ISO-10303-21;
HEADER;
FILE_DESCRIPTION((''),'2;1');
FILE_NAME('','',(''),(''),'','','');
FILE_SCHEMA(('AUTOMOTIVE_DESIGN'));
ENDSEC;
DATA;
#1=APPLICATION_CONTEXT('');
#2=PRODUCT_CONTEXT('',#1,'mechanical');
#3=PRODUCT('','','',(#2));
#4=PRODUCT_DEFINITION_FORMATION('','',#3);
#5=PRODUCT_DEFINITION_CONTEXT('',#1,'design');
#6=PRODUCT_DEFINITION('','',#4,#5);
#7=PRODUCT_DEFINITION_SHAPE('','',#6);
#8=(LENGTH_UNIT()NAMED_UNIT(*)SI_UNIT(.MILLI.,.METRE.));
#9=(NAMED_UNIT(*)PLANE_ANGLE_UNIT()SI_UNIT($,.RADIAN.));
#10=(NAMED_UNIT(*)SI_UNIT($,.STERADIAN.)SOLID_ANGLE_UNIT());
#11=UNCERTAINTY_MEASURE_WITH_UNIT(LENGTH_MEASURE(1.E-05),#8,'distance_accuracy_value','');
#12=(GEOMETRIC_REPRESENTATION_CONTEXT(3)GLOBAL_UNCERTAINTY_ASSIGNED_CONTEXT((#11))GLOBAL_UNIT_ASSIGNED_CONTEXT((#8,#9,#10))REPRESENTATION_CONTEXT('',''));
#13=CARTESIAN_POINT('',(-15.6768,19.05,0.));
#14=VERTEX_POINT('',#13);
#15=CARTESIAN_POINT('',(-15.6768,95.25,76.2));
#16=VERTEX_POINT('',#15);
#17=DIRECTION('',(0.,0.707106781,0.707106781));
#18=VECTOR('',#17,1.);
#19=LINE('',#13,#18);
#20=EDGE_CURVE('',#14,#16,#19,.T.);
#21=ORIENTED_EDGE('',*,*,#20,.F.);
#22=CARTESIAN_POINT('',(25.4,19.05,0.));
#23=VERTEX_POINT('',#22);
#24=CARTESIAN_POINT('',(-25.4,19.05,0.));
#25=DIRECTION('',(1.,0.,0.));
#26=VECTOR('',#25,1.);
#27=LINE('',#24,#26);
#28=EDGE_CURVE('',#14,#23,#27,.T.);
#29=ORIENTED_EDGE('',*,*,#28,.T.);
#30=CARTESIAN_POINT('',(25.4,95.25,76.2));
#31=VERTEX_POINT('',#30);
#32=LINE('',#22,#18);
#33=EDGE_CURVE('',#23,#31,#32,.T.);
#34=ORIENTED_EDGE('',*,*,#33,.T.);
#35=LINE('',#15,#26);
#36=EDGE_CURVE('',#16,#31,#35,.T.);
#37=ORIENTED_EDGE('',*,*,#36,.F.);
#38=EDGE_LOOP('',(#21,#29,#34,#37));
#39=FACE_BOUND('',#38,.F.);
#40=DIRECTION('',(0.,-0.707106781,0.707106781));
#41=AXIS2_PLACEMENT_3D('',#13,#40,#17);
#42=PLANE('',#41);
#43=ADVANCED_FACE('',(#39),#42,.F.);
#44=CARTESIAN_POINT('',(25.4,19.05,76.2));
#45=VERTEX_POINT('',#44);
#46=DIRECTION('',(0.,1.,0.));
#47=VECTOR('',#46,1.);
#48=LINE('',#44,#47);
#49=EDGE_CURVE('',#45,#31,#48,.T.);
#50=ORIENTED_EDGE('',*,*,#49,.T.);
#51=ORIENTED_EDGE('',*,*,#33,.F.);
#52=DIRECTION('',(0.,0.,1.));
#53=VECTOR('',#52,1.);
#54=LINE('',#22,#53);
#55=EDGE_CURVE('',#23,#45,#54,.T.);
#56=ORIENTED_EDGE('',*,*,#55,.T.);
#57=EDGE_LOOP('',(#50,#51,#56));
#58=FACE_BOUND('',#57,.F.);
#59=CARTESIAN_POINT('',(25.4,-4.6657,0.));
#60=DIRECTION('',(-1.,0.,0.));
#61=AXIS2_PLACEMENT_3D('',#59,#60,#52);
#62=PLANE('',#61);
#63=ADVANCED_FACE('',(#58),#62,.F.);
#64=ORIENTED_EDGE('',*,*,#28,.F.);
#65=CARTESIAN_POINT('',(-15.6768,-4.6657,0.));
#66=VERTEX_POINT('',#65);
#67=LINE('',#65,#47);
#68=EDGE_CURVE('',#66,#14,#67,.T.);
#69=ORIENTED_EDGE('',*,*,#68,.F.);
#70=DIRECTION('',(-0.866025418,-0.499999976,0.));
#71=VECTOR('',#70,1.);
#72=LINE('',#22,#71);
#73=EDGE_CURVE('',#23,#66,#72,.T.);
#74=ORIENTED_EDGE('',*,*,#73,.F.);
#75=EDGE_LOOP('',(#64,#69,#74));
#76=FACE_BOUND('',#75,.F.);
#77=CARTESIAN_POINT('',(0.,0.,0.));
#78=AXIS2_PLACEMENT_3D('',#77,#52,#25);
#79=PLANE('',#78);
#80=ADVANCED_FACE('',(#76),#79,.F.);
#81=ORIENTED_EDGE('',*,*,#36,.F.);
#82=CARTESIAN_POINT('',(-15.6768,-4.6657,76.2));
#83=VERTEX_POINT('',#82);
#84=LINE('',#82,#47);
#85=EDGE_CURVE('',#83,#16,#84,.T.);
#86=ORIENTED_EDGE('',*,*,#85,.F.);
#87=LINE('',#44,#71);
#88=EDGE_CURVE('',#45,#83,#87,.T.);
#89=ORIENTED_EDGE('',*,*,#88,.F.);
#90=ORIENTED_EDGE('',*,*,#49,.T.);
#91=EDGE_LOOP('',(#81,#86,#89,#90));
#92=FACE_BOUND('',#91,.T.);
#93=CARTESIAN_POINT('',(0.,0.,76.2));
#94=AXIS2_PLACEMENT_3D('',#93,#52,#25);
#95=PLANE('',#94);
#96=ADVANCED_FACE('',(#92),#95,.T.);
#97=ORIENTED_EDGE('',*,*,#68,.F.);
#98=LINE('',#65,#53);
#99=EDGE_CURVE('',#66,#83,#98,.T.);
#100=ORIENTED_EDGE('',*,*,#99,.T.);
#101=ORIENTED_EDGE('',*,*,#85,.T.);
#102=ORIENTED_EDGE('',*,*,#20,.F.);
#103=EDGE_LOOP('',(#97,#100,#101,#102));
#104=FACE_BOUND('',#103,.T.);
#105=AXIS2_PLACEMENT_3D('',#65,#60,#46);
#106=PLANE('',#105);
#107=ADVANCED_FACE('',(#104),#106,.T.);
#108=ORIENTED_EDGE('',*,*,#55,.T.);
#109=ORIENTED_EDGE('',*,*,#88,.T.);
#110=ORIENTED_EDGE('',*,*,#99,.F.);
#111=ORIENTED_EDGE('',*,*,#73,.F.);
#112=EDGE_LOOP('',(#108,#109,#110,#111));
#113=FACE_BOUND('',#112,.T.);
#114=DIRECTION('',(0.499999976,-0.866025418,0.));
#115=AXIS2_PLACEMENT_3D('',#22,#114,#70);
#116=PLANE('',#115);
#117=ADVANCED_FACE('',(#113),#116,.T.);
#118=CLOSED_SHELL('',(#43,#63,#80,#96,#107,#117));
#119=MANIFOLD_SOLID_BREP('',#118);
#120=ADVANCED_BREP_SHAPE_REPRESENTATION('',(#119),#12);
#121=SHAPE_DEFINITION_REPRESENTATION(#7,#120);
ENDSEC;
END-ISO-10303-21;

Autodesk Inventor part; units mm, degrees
ref_plane "YZ Plane" through (0, 0, 0) normal (1, 0, 0) x (0, 1, 0)
ref_plane "XZ Plane" through (0, 0, 0) normal (0, 1, 0) x (-1, 0, 0)
ref_plane "XY Plane" through (0, 0, 0) normal (0, 0, 1) x (1, 0, 0)
sketch "Sketch1" plane through (0, 0, 0) normal (0, 0, 1) x (1, 0, 0)
  line L0 (25.4, -19.05) -> (-25.4, -19.05)
  line L1 (-25.4, -19.05) -> (-25.4, 19.05)
  line L2 (-25.4, 19.05) -> (25.4, 19.05)
  line L3 (25.4, 19.05) -> (25.4, -19.05)
  line L4 (25.4, -19.05) -> (-25.4, 19.05) construction
  line L5 (-25.4, -19.05) -> (25.4, 19.05) construction
  line L6 (25.4, 19.05) -> (-15.6768, -4.6657)
  line L7 (-15.6768, -4.6657) -> (-15.6768, 19.05)
  point P0 (0, 0)
  dimension "d0" = 50.8
  dimension "d1" = 38.1
  dimension "d2" = 30
  dimension "d3" = 23.7157
  dimension "d4" = 9.7232
extrude "Extrusion1" add sketch "Sketch1" along normal blind 76.2 contours L6 L7 L2
sketch "Sketch2" plane through (-15.6768, -4.6657, 0) normal (-1, 0, 0) x (0, 0, 1)
  line L0 (0, 23.7157) -> (0, 0) projected
  line L1 (0, 0) -> (76.2, 0) projected
  line L2 (76.2, 23.7157) -> (76.2, 0) projected
  line L3 (0, 23.7157) -> (76.2, 23.7157) projected
  line L4 (0, 23.7157) -> (76.2, 23.7157)
  line L5 (76.2, 23.7157) -> (76.2, 99.9157)
  line L6 (76.2, 99.9157) -> (0, 99.9157)
  line L7 (0, 99.9157) -> (0, 23.7157)
  line L8 (0, 23.7157) -> (76.2, 99.9157)
  point P0 (0, 4.6657)
  dimension "d7" = 76.2
  dimension "d8" = 76.2
  dimension "d9" = 45
ref_plane "Work Plane1" through (25.4, 19.05, 0) normal (-1, 0, 0) x (0, 0, 1)
extrude "Extrusion2" add sketch "Sketch2" against normal up to surface (41.0768 mm away) contours L8 L5 L3
properties part number "Angled_Drone_Mount"
